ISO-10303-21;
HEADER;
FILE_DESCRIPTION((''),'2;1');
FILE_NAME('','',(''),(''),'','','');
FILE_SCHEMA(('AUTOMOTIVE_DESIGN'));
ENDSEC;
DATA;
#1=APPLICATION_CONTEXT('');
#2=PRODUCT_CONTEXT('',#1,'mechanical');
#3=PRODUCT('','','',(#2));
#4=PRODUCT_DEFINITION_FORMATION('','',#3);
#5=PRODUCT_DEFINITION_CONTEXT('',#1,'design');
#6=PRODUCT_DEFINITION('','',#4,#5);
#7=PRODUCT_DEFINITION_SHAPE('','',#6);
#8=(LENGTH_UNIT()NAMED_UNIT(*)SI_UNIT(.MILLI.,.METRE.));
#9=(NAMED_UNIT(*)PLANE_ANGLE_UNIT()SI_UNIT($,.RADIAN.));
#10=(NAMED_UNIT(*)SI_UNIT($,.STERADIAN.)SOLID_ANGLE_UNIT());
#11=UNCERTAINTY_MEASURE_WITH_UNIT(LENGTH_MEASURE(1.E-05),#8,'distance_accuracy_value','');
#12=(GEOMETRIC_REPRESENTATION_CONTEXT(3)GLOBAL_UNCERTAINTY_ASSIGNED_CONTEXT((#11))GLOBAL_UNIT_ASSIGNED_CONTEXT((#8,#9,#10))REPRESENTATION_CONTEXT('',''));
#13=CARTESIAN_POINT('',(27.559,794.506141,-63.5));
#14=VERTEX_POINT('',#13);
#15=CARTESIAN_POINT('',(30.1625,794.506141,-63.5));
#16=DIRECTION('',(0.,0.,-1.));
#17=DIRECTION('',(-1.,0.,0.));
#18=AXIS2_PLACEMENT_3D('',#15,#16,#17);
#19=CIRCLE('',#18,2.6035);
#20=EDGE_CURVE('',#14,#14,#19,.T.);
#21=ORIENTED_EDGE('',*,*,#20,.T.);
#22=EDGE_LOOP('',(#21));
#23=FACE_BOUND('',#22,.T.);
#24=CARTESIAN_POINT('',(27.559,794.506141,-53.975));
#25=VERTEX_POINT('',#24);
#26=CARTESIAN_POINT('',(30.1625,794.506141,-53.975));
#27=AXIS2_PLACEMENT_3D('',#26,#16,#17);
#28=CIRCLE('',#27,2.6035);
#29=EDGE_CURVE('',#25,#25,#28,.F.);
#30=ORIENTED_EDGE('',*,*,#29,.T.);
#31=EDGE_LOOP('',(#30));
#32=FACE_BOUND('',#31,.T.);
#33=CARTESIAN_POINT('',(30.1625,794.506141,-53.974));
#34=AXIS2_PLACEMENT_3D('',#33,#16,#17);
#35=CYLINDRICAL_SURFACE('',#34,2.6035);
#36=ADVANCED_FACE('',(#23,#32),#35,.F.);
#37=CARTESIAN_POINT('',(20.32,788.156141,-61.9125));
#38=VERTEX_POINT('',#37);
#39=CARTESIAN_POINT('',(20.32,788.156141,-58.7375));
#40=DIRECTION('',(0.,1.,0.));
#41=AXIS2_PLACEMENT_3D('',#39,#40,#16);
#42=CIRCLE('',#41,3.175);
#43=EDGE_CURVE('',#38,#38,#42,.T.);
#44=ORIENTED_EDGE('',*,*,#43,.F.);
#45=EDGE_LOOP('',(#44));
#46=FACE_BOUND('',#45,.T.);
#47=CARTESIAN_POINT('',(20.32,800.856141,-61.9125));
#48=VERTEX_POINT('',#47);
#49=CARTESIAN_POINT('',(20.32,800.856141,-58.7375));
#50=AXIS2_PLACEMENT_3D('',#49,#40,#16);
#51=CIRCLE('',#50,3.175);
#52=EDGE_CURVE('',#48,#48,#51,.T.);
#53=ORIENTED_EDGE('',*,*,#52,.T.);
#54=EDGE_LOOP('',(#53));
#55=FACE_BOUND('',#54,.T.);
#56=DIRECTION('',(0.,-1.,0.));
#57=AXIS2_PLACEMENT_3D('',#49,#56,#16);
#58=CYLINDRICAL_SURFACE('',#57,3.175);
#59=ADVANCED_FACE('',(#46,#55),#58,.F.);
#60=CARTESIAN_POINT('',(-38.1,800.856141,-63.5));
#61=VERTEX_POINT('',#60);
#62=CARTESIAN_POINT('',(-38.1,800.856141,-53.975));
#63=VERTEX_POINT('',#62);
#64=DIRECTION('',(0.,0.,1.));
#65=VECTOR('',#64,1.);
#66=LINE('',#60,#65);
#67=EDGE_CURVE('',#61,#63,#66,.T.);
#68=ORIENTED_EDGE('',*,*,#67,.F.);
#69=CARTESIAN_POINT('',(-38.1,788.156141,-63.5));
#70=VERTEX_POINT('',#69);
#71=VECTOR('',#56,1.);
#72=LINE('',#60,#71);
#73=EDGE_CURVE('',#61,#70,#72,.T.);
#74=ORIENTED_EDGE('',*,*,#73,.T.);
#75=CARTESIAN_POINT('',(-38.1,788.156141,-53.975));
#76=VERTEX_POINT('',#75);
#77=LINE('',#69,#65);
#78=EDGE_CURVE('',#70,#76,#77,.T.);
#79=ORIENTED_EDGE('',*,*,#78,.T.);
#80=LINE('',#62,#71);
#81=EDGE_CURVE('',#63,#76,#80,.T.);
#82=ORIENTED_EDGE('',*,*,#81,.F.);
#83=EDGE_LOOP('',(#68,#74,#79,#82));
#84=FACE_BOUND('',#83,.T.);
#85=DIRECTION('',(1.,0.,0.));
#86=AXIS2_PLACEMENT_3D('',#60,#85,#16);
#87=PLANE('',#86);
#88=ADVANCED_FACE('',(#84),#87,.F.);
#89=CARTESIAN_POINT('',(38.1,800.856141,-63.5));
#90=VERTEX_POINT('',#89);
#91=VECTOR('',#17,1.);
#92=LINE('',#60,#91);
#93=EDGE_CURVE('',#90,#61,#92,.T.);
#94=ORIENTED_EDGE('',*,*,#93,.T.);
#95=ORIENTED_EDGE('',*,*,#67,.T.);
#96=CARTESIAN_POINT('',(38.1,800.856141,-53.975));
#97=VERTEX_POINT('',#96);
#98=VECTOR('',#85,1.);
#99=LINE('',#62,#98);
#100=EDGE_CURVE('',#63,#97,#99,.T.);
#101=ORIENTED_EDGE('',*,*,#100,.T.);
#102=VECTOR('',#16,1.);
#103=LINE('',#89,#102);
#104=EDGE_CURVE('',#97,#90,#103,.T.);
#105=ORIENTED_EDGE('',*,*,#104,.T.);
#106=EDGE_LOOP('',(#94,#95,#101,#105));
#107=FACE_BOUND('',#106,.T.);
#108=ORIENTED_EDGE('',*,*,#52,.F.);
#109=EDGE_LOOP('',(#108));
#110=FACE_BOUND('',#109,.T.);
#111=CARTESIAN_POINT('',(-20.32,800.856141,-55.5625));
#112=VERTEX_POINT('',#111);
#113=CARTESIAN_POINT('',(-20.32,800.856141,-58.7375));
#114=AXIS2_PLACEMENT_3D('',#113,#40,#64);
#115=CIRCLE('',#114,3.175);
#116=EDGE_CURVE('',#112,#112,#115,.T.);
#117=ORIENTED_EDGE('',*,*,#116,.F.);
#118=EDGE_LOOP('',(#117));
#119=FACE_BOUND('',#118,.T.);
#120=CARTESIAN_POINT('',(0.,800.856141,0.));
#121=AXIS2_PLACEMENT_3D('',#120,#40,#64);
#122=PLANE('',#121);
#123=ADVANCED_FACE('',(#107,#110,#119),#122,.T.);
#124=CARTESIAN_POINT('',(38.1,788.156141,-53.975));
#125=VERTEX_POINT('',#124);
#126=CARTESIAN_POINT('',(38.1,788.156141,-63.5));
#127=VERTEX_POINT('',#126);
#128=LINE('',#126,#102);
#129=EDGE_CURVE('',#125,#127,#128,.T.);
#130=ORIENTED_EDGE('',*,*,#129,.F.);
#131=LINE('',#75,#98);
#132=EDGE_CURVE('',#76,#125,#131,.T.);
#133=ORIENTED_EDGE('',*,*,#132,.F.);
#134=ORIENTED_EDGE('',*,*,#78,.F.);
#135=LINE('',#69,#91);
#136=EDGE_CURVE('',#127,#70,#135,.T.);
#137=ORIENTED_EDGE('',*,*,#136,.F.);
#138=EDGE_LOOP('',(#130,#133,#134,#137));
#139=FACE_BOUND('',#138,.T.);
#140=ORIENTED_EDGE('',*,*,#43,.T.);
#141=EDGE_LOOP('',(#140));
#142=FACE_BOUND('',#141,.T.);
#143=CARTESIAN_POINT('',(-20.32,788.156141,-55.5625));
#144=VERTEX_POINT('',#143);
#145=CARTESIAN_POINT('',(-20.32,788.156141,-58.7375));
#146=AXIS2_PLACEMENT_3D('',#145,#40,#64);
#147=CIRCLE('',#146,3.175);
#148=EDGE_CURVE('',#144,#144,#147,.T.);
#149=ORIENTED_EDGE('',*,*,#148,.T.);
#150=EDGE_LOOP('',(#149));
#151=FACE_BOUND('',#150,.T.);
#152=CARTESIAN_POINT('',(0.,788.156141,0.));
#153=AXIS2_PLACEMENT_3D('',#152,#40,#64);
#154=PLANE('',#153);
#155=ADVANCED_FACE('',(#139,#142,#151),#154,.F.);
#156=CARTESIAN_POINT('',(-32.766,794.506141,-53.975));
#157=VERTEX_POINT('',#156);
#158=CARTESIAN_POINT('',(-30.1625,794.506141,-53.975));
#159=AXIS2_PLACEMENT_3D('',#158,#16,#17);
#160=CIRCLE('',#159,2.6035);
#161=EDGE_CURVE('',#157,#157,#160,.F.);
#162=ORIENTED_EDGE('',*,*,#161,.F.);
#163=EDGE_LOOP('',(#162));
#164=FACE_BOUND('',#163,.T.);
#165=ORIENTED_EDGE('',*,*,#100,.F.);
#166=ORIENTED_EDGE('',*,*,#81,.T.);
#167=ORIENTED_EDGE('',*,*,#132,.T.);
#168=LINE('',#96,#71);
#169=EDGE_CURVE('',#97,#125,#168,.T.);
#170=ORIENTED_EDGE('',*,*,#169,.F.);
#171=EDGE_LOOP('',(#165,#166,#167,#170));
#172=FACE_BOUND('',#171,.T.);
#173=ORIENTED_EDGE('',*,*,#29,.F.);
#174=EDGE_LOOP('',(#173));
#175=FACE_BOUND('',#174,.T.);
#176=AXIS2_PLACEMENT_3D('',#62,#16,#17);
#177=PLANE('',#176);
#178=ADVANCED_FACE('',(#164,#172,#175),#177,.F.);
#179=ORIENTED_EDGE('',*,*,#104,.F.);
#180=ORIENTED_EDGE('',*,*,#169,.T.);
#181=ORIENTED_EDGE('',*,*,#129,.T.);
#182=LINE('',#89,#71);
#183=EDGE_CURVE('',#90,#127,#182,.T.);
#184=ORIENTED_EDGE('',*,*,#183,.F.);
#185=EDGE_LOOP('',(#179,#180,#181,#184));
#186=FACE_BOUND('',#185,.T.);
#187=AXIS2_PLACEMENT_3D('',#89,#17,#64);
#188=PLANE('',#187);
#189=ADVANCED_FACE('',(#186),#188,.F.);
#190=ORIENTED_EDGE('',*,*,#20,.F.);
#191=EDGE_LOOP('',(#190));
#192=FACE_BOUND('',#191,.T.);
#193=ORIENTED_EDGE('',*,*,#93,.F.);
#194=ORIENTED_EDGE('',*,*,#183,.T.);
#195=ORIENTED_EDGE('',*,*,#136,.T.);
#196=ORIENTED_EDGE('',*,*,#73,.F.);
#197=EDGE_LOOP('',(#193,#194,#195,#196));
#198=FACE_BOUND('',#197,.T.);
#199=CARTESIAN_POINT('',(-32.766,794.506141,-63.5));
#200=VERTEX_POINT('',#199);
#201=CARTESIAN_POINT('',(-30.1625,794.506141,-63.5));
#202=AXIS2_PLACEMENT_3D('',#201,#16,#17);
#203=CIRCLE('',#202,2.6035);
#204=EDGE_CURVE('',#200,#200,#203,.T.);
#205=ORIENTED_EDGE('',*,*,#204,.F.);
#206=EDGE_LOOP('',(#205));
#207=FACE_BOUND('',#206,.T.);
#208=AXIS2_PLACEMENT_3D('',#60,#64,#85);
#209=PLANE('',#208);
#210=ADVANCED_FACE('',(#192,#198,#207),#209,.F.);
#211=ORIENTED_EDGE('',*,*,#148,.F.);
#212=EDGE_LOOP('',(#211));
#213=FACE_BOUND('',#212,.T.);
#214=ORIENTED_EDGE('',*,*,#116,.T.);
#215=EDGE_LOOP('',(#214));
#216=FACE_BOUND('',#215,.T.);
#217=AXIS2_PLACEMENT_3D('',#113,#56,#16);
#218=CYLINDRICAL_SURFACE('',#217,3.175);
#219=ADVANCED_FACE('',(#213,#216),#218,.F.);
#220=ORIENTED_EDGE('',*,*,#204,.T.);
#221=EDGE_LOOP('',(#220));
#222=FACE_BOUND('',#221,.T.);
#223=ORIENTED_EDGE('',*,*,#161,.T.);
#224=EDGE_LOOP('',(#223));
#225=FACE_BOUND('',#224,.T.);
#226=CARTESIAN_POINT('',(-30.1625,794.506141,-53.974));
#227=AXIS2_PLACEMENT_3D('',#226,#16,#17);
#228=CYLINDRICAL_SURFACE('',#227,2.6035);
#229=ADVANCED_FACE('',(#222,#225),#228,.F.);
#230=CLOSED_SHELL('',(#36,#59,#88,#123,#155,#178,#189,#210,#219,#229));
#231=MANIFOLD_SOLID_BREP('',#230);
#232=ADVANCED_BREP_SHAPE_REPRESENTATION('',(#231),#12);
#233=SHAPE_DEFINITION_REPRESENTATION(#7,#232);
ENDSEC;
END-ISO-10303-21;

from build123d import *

# Parameters (mm, degrees)
SKETCH1_W           = 76.2
SKETCH1_H           = 9.525
SKETCH1_R           = 3.175
BOSS_EXTRUDE1_DEPTH = 12.7
CUT_EXTRUDE1_REACH  = 803.818
SKETCH2_R           = 2.6035


with BuildPart() as part:
    # Sketch1 → Boss-Extrude1 (new body)
    with BuildSketch(Plane(origin=(0, 788.156140976, 0), x_dir=(1, 0, 0), z_dir=(0, 1, 0))):
        with Locations((0, 58.7375)):
            Rectangle(SKETCH1_W, SKETCH1_H)
        with Locations(Location((-20.32, 58.7375, 0), (0, 0, 270))):
            Circle(SKETCH1_R, mode=Mode.SUBTRACT)
        with Locations(Location((20.32, 58.7375, 0), (0, 0, 90))):
            Circle(SKETCH1_R, mode=Mode.SUBTRACT)
    extrude(amount=BOSS_EXTRUDE1_DEPTH)

    # Sketch2 → Cut-Extrude1 (cut, up to next)
    with BuildSketch(Plane(origin=(0, 0, -63.5), x_dir=(-1, 0, 0), z_dir=(0, 0, -1)), mode=Mode.PRIVATE) as cut_extrude1_sk1:
        with Locations((30.1625, 794.506140976)):
            Circle(SKETCH2_R)
    cut_extrude1_tool1 = extrude(cut_extrude1_sk1.sketch, amount=-CUT_EXTRUDE1_REACH, mode=Mode.PRIVATE) & part.part
    # Sketch2 → Cut-Extrude1 (cut, up to next)
    with BuildSketch(Plane(origin=(0, 0, -63.5), x_dir=(-1, 0, 0), z_dir=(0, 0, -1)), mode=Mode.PRIVATE) as cut_extrude1_sk2:
        with Locations((-30.1625, 794.506140976)):
            Circle(SKETCH2_R)
    cut_extrude1_tool2 = extrude(cut_extrude1_sk2.sketch, amount=-CUT_EXTRUDE1_REACH, mode=Mode.PRIVATE) & part.part
    add(cut_extrude1_tool1.solids().sort_by_distance((-30.1625, 794.506141, -63.5))[0], mode=Mode.SUBTRACT)
    add(cut_extrude1_tool2.solids().sort_by_distance((30.1625, 794.506141, -63.5))[0], mode=Mode.SUBTRACT)


solid = part.part
